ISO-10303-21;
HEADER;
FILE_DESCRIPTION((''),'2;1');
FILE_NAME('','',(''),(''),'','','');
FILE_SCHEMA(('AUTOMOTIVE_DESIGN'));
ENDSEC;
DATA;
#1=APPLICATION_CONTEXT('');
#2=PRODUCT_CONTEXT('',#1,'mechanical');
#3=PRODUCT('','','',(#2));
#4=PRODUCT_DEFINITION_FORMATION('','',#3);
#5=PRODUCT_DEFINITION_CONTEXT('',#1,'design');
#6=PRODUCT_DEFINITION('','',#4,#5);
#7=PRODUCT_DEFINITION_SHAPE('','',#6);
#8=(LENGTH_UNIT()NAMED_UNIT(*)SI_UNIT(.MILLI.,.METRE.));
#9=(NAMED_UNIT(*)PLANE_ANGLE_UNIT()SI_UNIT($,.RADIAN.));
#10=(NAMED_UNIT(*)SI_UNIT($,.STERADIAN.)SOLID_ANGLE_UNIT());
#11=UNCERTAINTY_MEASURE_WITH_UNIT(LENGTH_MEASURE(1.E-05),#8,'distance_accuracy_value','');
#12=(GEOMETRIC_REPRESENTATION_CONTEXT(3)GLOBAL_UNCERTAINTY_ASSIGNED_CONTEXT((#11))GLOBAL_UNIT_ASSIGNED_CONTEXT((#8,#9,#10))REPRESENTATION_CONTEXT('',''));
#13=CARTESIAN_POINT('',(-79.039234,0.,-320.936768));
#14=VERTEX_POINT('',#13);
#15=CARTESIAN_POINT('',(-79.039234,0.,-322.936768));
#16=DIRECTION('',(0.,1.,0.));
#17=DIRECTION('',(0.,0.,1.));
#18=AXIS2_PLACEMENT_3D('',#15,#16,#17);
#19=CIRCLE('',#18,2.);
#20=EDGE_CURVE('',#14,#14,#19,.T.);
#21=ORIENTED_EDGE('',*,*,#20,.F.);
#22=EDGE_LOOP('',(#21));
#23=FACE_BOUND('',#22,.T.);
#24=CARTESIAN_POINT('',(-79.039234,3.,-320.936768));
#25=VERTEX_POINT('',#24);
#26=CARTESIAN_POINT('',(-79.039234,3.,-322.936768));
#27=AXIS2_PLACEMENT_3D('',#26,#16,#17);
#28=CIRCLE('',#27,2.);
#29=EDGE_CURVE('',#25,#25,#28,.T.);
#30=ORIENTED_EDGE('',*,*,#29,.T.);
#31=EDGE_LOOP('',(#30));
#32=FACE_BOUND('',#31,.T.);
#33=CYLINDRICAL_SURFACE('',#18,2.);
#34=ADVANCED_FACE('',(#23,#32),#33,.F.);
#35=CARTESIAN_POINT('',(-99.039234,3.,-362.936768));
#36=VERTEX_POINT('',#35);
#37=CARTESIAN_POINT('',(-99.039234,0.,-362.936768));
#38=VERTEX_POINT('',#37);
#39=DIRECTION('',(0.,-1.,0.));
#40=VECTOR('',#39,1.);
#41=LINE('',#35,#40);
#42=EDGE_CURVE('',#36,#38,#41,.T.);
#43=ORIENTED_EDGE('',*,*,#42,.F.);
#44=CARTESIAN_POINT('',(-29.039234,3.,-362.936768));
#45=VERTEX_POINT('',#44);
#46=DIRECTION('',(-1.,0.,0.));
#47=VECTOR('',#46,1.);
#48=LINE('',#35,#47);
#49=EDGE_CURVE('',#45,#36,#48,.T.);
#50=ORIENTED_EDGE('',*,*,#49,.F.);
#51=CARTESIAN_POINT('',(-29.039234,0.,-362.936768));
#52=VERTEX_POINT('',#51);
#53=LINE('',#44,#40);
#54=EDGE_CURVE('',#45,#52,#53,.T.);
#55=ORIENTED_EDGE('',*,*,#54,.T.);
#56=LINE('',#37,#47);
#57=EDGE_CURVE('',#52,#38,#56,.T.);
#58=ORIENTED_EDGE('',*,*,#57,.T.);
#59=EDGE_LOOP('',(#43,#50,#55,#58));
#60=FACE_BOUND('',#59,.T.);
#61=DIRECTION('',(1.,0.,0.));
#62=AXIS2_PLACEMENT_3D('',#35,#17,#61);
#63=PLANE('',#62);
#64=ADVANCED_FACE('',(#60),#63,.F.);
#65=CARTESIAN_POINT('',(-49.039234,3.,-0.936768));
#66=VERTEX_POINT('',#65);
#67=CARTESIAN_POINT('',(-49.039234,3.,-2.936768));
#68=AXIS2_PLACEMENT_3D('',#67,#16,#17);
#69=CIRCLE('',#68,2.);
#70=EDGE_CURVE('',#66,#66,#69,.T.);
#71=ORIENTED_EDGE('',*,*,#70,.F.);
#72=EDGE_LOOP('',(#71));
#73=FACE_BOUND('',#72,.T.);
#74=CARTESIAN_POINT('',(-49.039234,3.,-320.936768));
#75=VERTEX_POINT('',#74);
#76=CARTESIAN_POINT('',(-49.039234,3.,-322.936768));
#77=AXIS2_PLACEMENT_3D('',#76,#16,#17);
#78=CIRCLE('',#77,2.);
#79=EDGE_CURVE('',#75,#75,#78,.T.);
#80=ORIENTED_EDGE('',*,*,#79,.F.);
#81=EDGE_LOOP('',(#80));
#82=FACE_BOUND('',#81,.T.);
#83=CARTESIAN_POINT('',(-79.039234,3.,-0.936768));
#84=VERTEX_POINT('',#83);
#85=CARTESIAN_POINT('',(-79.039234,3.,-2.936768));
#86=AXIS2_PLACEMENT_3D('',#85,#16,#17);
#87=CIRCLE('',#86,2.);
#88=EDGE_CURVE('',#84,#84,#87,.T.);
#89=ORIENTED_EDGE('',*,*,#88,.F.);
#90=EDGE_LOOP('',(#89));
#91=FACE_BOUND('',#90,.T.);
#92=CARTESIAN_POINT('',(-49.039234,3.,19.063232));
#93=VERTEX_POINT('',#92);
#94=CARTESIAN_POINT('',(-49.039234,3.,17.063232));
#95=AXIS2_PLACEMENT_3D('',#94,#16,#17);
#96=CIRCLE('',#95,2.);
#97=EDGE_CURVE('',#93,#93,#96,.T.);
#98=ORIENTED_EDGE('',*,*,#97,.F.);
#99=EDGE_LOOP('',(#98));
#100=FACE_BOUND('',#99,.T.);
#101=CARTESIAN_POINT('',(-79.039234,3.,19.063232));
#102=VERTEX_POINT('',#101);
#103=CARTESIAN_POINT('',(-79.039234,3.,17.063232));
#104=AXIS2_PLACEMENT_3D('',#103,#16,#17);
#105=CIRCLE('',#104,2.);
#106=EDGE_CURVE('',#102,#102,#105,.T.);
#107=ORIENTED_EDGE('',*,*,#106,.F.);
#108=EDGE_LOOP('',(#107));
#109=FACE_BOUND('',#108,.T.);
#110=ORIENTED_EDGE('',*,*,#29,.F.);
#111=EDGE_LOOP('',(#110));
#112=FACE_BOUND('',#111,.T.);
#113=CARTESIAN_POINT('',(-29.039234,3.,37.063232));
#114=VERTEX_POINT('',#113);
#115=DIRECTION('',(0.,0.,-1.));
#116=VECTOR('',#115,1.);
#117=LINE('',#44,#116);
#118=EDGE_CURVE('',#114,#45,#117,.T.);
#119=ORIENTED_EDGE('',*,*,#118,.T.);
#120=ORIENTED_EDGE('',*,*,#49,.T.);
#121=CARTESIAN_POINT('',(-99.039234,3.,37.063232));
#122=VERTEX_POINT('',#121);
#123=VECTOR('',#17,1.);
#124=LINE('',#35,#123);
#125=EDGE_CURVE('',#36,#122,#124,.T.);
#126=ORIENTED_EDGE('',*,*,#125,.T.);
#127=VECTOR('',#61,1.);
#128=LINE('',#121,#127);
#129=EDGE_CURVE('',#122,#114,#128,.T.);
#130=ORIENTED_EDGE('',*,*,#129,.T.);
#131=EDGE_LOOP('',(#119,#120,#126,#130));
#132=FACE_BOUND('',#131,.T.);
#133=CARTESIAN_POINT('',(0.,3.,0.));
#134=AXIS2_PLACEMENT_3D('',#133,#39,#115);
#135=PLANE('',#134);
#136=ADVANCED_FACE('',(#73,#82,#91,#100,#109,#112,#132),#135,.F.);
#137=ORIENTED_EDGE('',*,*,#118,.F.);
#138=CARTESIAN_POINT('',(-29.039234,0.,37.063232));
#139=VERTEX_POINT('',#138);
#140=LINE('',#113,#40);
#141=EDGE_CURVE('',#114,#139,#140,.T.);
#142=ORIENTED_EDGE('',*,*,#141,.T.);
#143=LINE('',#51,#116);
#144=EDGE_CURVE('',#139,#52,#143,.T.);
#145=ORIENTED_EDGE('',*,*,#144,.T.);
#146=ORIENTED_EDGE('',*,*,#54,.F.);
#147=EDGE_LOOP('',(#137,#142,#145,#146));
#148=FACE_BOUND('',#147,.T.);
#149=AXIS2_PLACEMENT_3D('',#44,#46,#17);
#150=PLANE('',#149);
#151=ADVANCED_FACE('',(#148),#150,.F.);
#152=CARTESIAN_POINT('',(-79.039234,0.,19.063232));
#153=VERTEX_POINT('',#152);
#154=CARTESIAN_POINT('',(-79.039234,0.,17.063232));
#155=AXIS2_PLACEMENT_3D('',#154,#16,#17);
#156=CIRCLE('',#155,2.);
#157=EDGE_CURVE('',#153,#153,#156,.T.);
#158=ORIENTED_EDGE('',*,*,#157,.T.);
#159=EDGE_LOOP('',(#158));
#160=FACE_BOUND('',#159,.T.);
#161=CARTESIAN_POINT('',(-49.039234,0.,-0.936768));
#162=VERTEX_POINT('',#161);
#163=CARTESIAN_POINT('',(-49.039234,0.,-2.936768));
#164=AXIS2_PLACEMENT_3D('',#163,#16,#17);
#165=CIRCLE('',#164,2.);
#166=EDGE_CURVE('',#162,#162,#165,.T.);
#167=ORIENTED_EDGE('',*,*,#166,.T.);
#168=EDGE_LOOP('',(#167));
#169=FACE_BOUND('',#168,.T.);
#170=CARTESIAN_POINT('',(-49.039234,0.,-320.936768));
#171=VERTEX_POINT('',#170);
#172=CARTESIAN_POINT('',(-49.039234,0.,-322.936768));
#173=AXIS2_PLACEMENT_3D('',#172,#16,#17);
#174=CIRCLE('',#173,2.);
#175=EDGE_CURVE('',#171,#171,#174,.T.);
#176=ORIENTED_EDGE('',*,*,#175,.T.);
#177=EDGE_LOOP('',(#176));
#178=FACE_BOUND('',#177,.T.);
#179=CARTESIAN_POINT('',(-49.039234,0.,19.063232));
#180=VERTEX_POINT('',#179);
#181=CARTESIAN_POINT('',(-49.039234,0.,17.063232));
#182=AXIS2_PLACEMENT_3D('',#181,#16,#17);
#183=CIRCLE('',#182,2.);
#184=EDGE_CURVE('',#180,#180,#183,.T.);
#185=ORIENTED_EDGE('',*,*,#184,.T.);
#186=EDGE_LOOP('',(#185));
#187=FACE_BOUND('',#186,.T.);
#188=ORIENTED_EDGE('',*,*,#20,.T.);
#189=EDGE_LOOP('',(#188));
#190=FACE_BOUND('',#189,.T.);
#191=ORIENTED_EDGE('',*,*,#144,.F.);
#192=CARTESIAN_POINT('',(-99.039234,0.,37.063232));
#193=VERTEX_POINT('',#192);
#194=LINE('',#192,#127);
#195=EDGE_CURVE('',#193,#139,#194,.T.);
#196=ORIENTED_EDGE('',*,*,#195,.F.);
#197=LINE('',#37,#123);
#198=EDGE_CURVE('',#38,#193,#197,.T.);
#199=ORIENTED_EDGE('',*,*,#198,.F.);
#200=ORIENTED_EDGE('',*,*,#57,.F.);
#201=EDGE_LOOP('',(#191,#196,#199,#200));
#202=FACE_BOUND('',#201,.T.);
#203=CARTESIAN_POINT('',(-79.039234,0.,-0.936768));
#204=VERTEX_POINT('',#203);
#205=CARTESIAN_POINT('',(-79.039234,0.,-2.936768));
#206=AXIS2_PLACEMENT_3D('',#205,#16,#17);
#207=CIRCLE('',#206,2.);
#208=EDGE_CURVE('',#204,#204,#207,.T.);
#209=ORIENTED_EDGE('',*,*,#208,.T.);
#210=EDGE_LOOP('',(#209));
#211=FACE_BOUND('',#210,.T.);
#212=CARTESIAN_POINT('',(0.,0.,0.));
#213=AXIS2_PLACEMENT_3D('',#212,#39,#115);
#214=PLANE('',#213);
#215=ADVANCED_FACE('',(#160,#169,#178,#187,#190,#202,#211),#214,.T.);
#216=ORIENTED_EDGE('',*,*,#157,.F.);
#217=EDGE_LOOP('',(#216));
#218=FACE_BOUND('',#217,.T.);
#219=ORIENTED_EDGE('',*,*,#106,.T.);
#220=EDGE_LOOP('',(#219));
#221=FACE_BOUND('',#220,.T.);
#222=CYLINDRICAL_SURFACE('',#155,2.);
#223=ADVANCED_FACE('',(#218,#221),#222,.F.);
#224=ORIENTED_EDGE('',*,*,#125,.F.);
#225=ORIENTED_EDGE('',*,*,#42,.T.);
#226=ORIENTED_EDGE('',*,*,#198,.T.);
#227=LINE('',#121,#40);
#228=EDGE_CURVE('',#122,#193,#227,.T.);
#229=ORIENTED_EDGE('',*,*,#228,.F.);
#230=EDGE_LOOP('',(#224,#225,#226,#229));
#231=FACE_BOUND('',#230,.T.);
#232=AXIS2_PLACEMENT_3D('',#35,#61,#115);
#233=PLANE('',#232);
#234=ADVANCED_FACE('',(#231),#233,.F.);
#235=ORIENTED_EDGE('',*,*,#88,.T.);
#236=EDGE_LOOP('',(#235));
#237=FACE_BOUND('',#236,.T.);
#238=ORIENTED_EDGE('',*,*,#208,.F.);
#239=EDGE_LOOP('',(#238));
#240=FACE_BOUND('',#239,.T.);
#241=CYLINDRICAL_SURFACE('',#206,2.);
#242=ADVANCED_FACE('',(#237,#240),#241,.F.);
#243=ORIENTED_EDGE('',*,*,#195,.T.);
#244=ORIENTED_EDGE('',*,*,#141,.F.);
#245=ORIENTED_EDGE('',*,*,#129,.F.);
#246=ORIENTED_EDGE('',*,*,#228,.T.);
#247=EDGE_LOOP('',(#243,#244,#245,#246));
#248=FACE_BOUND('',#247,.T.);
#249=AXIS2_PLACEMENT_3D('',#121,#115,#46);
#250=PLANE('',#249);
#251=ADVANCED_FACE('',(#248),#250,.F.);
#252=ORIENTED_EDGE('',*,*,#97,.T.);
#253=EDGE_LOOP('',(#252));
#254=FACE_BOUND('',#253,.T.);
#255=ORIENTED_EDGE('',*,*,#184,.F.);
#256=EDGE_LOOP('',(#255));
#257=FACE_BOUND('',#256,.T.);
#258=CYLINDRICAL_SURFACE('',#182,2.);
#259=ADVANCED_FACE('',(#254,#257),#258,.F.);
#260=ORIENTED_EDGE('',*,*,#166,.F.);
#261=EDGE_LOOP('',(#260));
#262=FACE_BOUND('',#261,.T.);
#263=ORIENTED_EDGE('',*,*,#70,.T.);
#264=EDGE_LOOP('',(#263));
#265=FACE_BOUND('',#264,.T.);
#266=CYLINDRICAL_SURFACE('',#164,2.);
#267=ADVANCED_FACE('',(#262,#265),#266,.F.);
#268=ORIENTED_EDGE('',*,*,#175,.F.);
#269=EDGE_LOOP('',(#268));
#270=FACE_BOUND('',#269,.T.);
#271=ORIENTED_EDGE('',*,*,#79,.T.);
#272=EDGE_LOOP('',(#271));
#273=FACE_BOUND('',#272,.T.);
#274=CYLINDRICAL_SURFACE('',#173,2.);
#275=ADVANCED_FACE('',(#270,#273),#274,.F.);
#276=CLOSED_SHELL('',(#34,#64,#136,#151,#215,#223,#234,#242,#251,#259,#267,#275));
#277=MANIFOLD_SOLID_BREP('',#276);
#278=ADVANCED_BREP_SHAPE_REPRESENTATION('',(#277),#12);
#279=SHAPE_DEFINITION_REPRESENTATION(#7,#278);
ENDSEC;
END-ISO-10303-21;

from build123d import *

# Parameters (mm, degrees)
CROQUIS2_W              = 70
CROQUIS2_H              = 400
SALIENTE_EXTRUIR1_DEPTH = 3
CROQUIS3_R              = 2
CORTAR_EXTRUIR1_DEPTH   = 377.219174253


with BuildPart() as part:
    # Croquis2 → Saliente-Extruir1 (new body)
    with BuildSketch(Plane(origin=(0, 0, 0), x_dir=(1, 0, 0), z_dir=(0, 1, 0))):
        with Locations((-64.039233631, 162.936767602)):
            Rectangle(CROQUIS2_W, CROQUIS2_H)
    extrude(amount=SALIENTE_EXTRUIR1_DEPTH)

    # Croquis3 → Cortar-Extruir1 (cut, through all)
    with BuildSketch(Plane(origin=(0, 3, 0), x_dir=(1, 0, 0), z_dir=(0, 1, 0))):
        with Locations(Location((-79.039233631, 322.936767602, 0), (0, 0, 270))):
            Circle(CROQUIS3_R)
        with Locations(Location((-49.039233631, 322.936767602, 0), (0, 0, 270))):
            Circle(CROQUIS3_R)
        with Locations(Location((-79.039233631, 2.936767602, 0), (0, 0, 270))):
            Circle(CROQUIS3_R)
        with Locations(Location((-49.039233631, 2.936767602, 0), (0, 0, 270))):
            Circle(CROQUIS3_R)
        with Locations(Location((-79.039233631, -17.063232398, 0), (0, 0, 270))):
            Circle(CROQUIS3_R)
        with Locations(Location((-49.039233631, -17.063232398, 0), (0, 0, 270))):
            Circle(CROQUIS3_R)
    extrude(amount=-CORTAR_EXTRUIR1_DEPTH, mode=Mode.SUBTRACT)


solid = part.part
